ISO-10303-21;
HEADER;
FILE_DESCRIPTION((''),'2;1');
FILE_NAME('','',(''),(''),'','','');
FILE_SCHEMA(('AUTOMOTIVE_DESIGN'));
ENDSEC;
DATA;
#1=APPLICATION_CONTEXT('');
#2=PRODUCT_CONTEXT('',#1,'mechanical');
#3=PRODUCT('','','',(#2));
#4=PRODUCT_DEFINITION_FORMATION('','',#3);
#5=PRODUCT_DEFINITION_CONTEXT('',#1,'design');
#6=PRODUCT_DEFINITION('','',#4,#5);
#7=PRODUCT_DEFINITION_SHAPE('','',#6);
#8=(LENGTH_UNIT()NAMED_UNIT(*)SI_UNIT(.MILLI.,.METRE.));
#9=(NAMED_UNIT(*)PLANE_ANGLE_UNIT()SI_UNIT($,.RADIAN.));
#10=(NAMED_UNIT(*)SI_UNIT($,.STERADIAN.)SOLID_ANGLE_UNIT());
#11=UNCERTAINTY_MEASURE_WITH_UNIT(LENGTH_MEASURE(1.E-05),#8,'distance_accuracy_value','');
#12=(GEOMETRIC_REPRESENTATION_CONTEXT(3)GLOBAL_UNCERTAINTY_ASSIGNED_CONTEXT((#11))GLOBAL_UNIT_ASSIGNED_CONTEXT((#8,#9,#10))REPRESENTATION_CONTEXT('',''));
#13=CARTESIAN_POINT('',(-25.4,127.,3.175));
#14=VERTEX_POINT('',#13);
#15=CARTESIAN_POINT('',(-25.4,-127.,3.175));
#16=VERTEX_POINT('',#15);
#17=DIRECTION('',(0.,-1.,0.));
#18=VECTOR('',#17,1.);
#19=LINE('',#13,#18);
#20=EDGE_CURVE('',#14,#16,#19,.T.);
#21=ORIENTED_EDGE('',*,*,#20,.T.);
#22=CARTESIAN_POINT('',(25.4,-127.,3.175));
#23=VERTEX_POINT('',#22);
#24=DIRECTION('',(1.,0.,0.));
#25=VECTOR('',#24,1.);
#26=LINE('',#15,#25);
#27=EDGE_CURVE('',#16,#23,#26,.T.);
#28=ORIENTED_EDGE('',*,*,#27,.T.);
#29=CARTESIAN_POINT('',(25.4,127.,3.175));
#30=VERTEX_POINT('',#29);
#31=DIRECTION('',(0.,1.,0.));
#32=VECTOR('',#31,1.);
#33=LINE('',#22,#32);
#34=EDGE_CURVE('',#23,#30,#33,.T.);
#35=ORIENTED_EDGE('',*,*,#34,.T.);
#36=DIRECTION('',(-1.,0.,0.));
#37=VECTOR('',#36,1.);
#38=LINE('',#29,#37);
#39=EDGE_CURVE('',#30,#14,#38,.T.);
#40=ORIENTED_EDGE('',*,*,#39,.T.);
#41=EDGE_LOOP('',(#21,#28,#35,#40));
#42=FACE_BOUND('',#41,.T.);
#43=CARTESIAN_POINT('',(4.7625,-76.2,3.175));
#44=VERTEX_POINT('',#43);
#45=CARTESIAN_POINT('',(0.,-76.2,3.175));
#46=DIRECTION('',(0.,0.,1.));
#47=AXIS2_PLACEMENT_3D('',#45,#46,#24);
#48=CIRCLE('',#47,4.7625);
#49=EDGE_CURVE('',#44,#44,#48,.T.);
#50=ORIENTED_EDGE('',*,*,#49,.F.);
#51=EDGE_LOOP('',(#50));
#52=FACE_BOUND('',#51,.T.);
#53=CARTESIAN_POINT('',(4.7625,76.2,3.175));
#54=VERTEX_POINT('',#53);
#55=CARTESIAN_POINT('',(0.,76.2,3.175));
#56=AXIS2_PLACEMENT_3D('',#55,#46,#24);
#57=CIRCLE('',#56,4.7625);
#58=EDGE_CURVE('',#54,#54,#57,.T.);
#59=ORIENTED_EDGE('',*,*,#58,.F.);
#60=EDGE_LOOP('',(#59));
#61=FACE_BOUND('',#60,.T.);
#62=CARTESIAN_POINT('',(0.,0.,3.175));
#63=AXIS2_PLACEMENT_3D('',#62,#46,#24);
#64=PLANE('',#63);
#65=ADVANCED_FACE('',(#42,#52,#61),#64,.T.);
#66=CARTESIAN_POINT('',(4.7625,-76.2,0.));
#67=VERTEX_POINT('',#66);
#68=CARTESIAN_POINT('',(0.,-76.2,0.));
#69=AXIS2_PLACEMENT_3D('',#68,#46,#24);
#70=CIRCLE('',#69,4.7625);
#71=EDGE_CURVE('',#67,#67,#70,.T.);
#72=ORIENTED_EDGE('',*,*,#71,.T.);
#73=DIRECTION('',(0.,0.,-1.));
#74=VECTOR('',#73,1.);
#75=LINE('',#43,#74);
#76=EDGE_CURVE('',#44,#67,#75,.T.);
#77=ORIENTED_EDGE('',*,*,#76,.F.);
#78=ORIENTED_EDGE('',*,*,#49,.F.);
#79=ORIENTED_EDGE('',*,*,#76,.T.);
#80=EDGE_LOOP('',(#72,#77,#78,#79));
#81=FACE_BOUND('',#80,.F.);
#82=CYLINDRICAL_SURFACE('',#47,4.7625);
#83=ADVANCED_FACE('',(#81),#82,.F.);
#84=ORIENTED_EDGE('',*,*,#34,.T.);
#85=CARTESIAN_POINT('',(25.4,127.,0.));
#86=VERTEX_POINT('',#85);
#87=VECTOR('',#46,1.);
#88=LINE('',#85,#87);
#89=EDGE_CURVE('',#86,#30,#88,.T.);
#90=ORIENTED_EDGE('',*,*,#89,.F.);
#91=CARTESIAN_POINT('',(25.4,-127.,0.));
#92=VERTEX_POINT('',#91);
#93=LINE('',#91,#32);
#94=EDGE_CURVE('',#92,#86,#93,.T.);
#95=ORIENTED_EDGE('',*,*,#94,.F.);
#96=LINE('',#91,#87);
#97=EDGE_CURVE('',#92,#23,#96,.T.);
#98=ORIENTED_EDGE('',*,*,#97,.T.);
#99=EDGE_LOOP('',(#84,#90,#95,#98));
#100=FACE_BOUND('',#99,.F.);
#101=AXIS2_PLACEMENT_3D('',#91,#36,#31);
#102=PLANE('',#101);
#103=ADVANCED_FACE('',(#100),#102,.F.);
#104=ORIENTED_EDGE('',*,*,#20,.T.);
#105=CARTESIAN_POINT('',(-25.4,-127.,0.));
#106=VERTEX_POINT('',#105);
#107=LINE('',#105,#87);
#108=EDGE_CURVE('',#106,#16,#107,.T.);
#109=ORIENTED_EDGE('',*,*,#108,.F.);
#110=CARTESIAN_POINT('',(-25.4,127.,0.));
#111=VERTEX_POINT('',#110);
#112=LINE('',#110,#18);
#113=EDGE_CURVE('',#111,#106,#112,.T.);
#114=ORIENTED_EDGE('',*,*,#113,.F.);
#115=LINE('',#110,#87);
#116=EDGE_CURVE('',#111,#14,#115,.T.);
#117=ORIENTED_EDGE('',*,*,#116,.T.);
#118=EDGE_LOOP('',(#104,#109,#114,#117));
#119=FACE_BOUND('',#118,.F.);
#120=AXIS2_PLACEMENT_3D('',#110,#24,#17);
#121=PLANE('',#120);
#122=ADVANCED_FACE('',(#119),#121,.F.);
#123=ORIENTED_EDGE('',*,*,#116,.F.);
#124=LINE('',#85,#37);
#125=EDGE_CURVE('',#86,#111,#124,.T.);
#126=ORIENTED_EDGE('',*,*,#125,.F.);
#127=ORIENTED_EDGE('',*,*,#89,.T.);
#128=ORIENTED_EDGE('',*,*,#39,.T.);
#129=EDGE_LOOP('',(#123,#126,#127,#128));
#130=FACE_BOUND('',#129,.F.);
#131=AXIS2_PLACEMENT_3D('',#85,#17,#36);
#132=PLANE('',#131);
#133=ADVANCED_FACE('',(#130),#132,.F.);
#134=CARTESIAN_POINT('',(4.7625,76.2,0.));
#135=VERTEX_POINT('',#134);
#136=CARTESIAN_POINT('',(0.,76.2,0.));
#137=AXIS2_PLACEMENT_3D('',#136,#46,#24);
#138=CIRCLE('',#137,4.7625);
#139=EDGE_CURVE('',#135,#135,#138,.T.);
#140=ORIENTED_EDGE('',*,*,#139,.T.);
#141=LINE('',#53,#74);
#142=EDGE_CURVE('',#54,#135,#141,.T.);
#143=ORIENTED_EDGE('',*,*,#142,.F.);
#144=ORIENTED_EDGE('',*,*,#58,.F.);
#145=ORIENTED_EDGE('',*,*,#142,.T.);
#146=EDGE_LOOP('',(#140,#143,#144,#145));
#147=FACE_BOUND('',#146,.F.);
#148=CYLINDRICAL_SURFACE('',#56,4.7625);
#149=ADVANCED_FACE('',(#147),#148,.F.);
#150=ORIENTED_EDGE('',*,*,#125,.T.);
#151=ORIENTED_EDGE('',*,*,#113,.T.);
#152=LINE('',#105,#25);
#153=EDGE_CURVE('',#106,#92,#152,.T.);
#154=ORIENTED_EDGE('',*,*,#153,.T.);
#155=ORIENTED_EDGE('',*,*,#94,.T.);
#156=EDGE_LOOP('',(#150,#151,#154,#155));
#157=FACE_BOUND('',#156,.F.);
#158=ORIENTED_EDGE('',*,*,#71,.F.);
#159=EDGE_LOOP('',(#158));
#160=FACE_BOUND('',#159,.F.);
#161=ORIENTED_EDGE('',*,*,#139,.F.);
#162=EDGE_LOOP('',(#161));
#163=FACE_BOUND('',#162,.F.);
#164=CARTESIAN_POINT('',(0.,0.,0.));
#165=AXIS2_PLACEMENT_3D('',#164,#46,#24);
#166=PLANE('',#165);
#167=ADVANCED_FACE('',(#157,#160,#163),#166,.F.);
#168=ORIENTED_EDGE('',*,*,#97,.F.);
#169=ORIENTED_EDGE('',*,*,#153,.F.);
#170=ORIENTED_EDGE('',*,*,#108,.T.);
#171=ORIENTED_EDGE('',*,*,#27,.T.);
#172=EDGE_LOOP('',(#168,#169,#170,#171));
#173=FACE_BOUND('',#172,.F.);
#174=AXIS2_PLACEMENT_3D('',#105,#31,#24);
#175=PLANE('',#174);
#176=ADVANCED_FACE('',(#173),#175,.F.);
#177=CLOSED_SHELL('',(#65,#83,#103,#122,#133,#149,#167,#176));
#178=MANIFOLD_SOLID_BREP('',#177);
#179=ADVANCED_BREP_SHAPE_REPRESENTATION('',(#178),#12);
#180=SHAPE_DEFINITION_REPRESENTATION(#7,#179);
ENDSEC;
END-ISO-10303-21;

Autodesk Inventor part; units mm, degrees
ref_plane "YZ Plane" through (0, 0, 0) normal (1, 0, 0) x (0, 1, 0)
ref_plane "XZ Plane" through (0, 0, 0) normal (0, 1, 0) x (-1, 0, 0)
ref_plane "XY Plane" through (0, 0, 0) normal (0, 0, 1) x (1, 0, 0)
sketch "Sketch1" plane through (0, 0, 0) normal (0, 0, 1) x (1, 0, 0)
  line L0 (-25.4, -127) -> (25.4, -127)
  line L1 (25.4, -127) -> (25.4, 127)
  line L2 (25.4, 127) -> (-25.4, 127)
  line L3 (-25.4, 127) -> (-25.4, -127)
  line L4 (-25.4, -127) -> (25.4, 127) construction
  line L5 (25.4, -127) -> (-25.4, 127) construction
  point P0 (0, 0)
  dimension "d0" = 50.8
  dimension "d1" = 254
extrude "Extrusion1" add sketch "Sketch1" along normal blind 3.175
sketch "Sketch2" plane through (0, 0, 3.175) normal (0, 0, 1) x (1, 0, 0)
  line L0 (25.4, 127) -> (-25.4, 127) construction
  line L1 (0, 127) -> (0, -127) construction
  line L2 (-25.4, -127) -> (25.4, -127) construction
  circle A0 centre (0, 76.2) radius 4.7625
  circle A1 centre (0, -76.2) radius 4.7625
  point P0 (0, 0)
  dimension "d4" = 50.8
  dimension "d5" = 50.8
  dimension "d6" = 9.525
  dimension "d7" = 9.525
extrude "Extrusion2" cut sketch "Sketch2" against normal through all
equation "\"d0\" = basicLiftWidth"
equation "\"d1\" = basicLiftLength"
equation "\"d2\" = basicLiftThickness"
equation "\"d4\" = basicLLiftAxelsDistanceFromTop"
equation "\"d5\" = basicLiftaxelDistancefromBottom"
equation "\"d6\" = baslicLiftAxelDiam"
equation "\"d7\" = baslicLiftAxelDiam"
equation "\"basicLiftLength\" = 254"
equation "\"basicLiftWidth\" = 50.8"
equation "\"basicLiftaxelDistancefromBottom\" = 50.8"
equation "\"basicLLiftAxelsDistanceFromTop\" = 50.8"
equation "\"basicLiftThickness\" = 3.175"
equation "\"baslicLiftAxelDiam\" = 9.525"
properties part number "basicLiftPlate" material "Aluminum 6061"
